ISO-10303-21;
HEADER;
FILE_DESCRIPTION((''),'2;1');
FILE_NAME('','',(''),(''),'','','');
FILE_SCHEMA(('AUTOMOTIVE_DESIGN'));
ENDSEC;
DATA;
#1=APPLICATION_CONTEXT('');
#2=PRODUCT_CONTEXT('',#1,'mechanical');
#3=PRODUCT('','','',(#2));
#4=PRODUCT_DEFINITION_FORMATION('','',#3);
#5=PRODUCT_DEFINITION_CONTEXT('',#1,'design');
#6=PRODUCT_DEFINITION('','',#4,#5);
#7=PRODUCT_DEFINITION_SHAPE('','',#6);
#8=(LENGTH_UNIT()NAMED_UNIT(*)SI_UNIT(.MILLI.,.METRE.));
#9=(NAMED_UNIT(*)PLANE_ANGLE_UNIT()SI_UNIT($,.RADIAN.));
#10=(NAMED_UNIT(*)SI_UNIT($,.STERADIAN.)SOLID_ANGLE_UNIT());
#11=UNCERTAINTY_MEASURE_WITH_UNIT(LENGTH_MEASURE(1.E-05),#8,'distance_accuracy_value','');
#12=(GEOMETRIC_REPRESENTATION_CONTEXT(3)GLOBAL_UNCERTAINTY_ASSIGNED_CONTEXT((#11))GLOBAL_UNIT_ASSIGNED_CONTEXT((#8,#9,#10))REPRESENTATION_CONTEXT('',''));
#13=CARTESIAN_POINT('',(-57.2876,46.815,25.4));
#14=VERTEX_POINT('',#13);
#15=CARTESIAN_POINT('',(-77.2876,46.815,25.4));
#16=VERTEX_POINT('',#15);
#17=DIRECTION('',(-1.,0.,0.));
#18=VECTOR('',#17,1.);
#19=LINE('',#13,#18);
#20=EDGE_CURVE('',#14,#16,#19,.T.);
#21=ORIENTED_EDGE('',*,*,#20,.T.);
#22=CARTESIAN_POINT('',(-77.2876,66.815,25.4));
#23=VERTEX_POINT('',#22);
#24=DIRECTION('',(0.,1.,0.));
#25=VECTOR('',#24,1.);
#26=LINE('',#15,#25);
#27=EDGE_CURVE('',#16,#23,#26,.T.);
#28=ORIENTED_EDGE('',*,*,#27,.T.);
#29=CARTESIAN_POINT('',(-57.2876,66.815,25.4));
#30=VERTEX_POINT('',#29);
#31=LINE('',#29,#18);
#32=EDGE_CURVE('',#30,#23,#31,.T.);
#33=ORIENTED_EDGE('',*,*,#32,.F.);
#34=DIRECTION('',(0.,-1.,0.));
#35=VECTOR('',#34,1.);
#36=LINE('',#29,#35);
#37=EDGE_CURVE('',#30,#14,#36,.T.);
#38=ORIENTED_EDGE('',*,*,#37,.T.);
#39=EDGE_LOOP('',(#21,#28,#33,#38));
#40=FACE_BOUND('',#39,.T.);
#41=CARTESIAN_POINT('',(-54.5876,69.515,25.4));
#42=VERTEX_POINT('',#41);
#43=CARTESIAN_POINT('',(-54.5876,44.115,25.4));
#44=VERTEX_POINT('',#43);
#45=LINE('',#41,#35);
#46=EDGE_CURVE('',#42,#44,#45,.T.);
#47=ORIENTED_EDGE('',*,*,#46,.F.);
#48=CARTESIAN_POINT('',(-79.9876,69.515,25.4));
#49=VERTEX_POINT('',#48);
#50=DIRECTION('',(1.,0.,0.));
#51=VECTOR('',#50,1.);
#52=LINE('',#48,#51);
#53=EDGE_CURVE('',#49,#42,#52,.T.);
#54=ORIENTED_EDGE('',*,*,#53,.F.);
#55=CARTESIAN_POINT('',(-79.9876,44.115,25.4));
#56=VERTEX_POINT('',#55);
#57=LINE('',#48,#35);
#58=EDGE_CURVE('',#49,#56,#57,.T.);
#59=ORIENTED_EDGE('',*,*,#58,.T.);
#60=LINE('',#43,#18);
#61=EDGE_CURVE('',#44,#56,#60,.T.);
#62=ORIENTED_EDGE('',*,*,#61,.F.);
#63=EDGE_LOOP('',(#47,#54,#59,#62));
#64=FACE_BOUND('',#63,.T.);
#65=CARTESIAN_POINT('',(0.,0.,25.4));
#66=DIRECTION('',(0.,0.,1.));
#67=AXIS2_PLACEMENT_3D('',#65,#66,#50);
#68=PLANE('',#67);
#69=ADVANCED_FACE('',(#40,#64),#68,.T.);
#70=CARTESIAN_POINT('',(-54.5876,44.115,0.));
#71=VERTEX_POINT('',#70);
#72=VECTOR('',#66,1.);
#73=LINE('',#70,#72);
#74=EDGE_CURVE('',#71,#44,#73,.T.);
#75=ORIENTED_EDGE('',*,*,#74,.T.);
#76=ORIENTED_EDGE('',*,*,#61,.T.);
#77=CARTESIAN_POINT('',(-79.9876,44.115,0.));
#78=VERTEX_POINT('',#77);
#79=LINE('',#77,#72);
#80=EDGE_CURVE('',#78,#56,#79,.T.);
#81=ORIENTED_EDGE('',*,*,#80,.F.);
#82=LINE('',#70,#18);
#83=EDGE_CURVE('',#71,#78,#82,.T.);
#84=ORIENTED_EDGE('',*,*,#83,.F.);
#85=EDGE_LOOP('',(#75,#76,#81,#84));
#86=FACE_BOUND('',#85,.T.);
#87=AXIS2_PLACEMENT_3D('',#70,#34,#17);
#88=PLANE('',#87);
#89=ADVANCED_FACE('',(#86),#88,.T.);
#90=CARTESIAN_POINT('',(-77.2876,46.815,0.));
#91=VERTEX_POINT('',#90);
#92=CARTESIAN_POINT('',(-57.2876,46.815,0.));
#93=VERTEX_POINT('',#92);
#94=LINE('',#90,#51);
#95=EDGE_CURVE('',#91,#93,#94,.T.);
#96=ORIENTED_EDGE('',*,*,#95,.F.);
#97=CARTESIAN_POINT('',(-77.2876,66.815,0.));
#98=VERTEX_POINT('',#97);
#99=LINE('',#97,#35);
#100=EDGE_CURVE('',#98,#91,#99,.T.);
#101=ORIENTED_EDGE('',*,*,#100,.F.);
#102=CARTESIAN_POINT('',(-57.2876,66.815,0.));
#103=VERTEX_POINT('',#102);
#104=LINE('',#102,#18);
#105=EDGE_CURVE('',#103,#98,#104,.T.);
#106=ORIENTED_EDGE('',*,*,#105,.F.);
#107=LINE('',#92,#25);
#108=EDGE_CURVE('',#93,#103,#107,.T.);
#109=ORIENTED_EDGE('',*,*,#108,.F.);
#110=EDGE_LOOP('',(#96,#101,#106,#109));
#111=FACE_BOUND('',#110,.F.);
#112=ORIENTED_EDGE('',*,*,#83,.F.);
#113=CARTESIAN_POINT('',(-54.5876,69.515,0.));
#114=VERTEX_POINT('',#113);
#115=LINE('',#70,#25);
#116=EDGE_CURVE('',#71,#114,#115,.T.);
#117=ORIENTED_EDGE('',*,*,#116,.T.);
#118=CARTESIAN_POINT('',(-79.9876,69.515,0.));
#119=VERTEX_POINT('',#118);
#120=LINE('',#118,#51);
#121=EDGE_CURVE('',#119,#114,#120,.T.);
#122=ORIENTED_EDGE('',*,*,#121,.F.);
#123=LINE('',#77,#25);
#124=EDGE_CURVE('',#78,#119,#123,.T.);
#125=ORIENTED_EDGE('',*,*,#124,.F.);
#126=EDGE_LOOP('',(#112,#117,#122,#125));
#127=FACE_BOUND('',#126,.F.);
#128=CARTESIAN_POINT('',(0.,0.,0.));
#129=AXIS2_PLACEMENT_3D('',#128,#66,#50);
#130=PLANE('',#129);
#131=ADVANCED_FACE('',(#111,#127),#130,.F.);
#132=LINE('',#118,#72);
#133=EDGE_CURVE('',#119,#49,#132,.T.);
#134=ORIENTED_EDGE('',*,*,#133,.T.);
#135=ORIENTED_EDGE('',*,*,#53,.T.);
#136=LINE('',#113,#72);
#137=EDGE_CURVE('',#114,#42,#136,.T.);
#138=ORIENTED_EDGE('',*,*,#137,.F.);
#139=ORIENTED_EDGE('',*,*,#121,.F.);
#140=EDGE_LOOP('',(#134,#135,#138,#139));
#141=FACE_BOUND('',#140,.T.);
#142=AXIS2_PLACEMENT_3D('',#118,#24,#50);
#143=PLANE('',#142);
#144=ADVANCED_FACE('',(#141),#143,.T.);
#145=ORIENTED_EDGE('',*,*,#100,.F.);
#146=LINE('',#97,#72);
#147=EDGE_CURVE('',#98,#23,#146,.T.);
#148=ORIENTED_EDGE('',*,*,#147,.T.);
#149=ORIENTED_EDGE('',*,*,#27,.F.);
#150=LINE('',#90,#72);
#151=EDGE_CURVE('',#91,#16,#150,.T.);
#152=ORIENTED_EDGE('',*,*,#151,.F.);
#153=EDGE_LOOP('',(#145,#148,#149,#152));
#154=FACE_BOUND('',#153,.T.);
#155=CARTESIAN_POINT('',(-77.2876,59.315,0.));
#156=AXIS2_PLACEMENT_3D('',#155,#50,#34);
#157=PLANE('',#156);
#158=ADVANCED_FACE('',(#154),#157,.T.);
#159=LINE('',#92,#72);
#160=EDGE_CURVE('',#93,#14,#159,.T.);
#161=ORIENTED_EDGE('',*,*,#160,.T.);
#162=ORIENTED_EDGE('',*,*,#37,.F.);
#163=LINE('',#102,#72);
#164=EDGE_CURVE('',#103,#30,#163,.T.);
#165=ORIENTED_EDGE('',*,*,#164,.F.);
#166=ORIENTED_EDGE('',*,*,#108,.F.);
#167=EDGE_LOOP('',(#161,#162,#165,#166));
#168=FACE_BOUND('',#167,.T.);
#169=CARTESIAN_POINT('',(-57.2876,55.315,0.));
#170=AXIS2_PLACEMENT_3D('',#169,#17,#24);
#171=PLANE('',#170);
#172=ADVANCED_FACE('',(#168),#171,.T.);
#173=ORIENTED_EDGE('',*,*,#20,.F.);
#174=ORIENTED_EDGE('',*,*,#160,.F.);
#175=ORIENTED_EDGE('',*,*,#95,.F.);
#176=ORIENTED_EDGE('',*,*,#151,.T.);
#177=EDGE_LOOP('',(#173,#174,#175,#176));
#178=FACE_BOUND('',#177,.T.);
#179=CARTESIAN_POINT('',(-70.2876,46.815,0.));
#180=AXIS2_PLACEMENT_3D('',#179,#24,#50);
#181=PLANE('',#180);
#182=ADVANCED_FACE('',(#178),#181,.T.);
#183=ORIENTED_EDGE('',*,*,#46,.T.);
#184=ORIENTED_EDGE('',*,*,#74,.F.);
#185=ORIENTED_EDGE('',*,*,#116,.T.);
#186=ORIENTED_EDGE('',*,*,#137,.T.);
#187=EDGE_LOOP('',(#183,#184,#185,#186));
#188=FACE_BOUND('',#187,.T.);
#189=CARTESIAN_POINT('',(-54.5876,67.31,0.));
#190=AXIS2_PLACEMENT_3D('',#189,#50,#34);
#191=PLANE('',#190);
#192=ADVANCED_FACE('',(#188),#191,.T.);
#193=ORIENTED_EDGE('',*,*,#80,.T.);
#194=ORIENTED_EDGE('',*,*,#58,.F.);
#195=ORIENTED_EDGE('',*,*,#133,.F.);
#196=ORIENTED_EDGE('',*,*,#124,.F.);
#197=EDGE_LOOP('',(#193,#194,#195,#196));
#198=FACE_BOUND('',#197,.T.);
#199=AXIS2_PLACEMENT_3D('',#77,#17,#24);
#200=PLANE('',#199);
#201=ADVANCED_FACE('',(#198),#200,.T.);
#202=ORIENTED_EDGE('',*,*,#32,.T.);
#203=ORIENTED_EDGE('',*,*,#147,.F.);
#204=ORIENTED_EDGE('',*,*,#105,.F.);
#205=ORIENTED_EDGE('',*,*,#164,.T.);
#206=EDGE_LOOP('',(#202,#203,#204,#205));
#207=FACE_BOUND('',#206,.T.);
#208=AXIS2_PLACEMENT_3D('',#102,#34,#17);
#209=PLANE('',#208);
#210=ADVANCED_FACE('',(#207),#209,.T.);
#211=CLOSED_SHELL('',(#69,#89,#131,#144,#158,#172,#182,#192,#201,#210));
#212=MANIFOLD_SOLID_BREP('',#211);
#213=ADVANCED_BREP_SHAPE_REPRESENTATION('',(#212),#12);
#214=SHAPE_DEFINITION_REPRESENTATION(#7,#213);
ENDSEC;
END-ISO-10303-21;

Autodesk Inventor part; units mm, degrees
ref_plane "YZ Plane" through (0, 0, 0) normal (1, 0, 0) x (0, 1, 0)
ref_plane "XZ Plane" through (0, 0, 0) normal (0, 1, 0) x (-1, 0, 0)
ref_plane "XY Plane" through (0, 0, 0) normal (0, 0, 1) x (1, 0, 0)
ref_plane "Work Plane1" through (0, 0, 0) normal (0, 0, 1) x (1, 0, 0)
sketch "Sketch1" plane through (0, 0, 0) normal (0, 0, 1) x (1, 0, 0)
  circle A0 centre (-25.4098, 20.8167) radius 8 projected
  circle A1 centre (-109.1654, 20.8167) radius 8 projected
  circle A2 centre (-67.2876, 20.8167) radius 11.5 projected
  line L0 (-56.2876, 67.31) -> (-56.2876, 59.315) projected
  line L1 (-56.2876, 59.315) -> (-61.2876, 59.315) projected
  line L2 (-61.2876, 59.315) -> (-56.2876, 54.315) projected
  line L3 (-56.2876, 54.315) -> (-56.2876, 45.32) projected
  line L4 (-56.2876, 45.32) -> (-64.2876, 45.32) projected
  line L5 (-64.2876, 51.32) -> (-64.2876, 45.32) projected
  line L6 (-70.2876, 51.32) -> (-64.2876, 51.32) projected
  line L7 (-70.2876, 45.32) -> (-70.2876, 51.32) projected
  line L8 (-70.2876, 45.32) -> (-78.2876, 45.32) projected
  line L9 (-78.2876, 45.32) -> (-78.2876, 54.315) projected
  line L10 (-78.2876, 54.315) -> (-73.2876, 59.315) projected
  line L11 (-73.2876, 59.315) -> (-78.2876, 59.315) projected
  line L12 (-78.2876, 59.315) -> (-78.2876, 67.31) projected
  line L13 (-78.2876, 67.31) -> (-105.9385, 67.31) projected
  line L14 (-105.9385, 67.31) -> (-141.1337, 6.35) projected
  line L15 (-141.1337, 6.35) -> (-9.2697, 6.35) projected
  line L16 (-9.2697, 6.35) -> (-9.2697, 67.31) projected
  line L17 (-9.2697, 67.31) -> (-56.2876, 67.31) projected
  circle A3 centre (-109.1654, 20.8167) radius 8 projected
  circle A4 centre (-25.4098, 20.8167) radius 8 projected
  circle A5 centre (-67.2876, 20.8167) radius 11.5 projected
  line L18 (-77.2876, 46.815) -> (-57.2876, 46.815)
  line L19 (-57.2876, 46.815) -> (-57.2876, 66.815)
  line L20 (-57.2876, 66.815) -> (-77.2876, 66.815)
  line L21 (-77.2876, 66.815) -> (-77.2876, 46.815)
  line L22 (-77.2876, 46.815) -> (-57.2876, 66.815) construction
  line L23 (-57.2876, 46.815) -> (-77.2876, 66.815) construction
  line L24 (-79.9876, 69.515) -> (-54.5876, 69.515)
  line L25 (-54.5876, 69.515) -> (-54.5876, 44.115)
  line L26 (-54.5876, 44.115) -> (-79.9876, 44.115)
  line L27 (-79.9876, 44.115) -> (-79.9876, 69.515)
  line L28 (-79.9876, 69.515) -> (-54.5876, 44.115) construction
  line L29 (-54.5876, 69.515) -> (-79.9876, 44.115) construction
  point P0 (0, 0)
  point P1 (-67.2876, 56.815)
  dimension "d0" = 20
  dimension "d1" = 20
  dimension "d2" = 25.4
  dimension "d3" = 25.4
extrude "Extrusion1" add sketch "Sketch1" along normal blind 25.4 contours L17 L25 L26 L27 L13 L12 L11 L21 L10 L9 L8 L7 L18 L5 L4 L3 L2 L19 L1 L0 | L0 L1 L19 L20 L21 L11 L12 L13 L27 L24 L25 L17 | L2 L3 L4 L5 L18 L19 | L7 L8 L9 L10 L21 L18
sketch "Sketch2" plane through (0, 0, 25.4) normal (0, 0, 1) x (1, 0, 0)
  line L0 (-56.2876, 67.31) -> (-56.2876, 59.315) projected
  line L1 (-56.2876, 59.315) -> (-61.2876, 59.315) projected
  line L2 (-61.2876, 59.315) -> (-56.2876, 54.315) projected
  line L3 (-56.2876, 54.315) -> (-56.2876, 45.32) projected
  line L4 (-56.2876, 45.32) -> (-64.2876, 45.32) projected
  line L5 (-64.2876, 51.32) -> (-64.2876, 45.32) projected
  line L6 (-70.2876, 51.32) -> (-64.2876, 51.32) projected
  line L7 (-70.2876, 45.32) -> (-70.2876, 51.32) projected
  line L8 (-70.2876, 45.32) -> (-78.2876, 45.32) projected
  line L9 (-78.2876, 45.32) -> (-78.2876, 54.315) projected
  line L10 (-78.2876, 54.315) -> (-73.2876, 59.315) projected
  line L11 (-73.2876, 59.315) -> (-78.2876, 59.315) projected
  line L12 (-78.2876, 59.315) -> (-78.2876, 67.31) projected
  line L13 (-78.2876, 67.31) -> (-105.9385, 67.31) projected
  line L14 (-105.9385, 67.31) -> (-141.1337, 6.35) projected
  line L15 (-141.1337, 6.35) -> (-9.2697, 6.35) projected
  line L16 (-9.2697, 6.35) -> (-9.2697, 67.31) projected
  line L17 (-9.2697, 67.31) -> (-56.2876, 67.31) projected
  circle A0 centre (-109.1654, 20.8167) radius 8 projected
  circle A1 centre (-25.4098, 20.8167) radius 8 projected
  circle A2 centre (-67.2876, 20.8167) radius 11.5 projected
  circle A3 centre (-25.4098, 20.8167) radius 4
  point P0 (0, 0)
  dimension "d6" = 8
properties part number "Right X End"
